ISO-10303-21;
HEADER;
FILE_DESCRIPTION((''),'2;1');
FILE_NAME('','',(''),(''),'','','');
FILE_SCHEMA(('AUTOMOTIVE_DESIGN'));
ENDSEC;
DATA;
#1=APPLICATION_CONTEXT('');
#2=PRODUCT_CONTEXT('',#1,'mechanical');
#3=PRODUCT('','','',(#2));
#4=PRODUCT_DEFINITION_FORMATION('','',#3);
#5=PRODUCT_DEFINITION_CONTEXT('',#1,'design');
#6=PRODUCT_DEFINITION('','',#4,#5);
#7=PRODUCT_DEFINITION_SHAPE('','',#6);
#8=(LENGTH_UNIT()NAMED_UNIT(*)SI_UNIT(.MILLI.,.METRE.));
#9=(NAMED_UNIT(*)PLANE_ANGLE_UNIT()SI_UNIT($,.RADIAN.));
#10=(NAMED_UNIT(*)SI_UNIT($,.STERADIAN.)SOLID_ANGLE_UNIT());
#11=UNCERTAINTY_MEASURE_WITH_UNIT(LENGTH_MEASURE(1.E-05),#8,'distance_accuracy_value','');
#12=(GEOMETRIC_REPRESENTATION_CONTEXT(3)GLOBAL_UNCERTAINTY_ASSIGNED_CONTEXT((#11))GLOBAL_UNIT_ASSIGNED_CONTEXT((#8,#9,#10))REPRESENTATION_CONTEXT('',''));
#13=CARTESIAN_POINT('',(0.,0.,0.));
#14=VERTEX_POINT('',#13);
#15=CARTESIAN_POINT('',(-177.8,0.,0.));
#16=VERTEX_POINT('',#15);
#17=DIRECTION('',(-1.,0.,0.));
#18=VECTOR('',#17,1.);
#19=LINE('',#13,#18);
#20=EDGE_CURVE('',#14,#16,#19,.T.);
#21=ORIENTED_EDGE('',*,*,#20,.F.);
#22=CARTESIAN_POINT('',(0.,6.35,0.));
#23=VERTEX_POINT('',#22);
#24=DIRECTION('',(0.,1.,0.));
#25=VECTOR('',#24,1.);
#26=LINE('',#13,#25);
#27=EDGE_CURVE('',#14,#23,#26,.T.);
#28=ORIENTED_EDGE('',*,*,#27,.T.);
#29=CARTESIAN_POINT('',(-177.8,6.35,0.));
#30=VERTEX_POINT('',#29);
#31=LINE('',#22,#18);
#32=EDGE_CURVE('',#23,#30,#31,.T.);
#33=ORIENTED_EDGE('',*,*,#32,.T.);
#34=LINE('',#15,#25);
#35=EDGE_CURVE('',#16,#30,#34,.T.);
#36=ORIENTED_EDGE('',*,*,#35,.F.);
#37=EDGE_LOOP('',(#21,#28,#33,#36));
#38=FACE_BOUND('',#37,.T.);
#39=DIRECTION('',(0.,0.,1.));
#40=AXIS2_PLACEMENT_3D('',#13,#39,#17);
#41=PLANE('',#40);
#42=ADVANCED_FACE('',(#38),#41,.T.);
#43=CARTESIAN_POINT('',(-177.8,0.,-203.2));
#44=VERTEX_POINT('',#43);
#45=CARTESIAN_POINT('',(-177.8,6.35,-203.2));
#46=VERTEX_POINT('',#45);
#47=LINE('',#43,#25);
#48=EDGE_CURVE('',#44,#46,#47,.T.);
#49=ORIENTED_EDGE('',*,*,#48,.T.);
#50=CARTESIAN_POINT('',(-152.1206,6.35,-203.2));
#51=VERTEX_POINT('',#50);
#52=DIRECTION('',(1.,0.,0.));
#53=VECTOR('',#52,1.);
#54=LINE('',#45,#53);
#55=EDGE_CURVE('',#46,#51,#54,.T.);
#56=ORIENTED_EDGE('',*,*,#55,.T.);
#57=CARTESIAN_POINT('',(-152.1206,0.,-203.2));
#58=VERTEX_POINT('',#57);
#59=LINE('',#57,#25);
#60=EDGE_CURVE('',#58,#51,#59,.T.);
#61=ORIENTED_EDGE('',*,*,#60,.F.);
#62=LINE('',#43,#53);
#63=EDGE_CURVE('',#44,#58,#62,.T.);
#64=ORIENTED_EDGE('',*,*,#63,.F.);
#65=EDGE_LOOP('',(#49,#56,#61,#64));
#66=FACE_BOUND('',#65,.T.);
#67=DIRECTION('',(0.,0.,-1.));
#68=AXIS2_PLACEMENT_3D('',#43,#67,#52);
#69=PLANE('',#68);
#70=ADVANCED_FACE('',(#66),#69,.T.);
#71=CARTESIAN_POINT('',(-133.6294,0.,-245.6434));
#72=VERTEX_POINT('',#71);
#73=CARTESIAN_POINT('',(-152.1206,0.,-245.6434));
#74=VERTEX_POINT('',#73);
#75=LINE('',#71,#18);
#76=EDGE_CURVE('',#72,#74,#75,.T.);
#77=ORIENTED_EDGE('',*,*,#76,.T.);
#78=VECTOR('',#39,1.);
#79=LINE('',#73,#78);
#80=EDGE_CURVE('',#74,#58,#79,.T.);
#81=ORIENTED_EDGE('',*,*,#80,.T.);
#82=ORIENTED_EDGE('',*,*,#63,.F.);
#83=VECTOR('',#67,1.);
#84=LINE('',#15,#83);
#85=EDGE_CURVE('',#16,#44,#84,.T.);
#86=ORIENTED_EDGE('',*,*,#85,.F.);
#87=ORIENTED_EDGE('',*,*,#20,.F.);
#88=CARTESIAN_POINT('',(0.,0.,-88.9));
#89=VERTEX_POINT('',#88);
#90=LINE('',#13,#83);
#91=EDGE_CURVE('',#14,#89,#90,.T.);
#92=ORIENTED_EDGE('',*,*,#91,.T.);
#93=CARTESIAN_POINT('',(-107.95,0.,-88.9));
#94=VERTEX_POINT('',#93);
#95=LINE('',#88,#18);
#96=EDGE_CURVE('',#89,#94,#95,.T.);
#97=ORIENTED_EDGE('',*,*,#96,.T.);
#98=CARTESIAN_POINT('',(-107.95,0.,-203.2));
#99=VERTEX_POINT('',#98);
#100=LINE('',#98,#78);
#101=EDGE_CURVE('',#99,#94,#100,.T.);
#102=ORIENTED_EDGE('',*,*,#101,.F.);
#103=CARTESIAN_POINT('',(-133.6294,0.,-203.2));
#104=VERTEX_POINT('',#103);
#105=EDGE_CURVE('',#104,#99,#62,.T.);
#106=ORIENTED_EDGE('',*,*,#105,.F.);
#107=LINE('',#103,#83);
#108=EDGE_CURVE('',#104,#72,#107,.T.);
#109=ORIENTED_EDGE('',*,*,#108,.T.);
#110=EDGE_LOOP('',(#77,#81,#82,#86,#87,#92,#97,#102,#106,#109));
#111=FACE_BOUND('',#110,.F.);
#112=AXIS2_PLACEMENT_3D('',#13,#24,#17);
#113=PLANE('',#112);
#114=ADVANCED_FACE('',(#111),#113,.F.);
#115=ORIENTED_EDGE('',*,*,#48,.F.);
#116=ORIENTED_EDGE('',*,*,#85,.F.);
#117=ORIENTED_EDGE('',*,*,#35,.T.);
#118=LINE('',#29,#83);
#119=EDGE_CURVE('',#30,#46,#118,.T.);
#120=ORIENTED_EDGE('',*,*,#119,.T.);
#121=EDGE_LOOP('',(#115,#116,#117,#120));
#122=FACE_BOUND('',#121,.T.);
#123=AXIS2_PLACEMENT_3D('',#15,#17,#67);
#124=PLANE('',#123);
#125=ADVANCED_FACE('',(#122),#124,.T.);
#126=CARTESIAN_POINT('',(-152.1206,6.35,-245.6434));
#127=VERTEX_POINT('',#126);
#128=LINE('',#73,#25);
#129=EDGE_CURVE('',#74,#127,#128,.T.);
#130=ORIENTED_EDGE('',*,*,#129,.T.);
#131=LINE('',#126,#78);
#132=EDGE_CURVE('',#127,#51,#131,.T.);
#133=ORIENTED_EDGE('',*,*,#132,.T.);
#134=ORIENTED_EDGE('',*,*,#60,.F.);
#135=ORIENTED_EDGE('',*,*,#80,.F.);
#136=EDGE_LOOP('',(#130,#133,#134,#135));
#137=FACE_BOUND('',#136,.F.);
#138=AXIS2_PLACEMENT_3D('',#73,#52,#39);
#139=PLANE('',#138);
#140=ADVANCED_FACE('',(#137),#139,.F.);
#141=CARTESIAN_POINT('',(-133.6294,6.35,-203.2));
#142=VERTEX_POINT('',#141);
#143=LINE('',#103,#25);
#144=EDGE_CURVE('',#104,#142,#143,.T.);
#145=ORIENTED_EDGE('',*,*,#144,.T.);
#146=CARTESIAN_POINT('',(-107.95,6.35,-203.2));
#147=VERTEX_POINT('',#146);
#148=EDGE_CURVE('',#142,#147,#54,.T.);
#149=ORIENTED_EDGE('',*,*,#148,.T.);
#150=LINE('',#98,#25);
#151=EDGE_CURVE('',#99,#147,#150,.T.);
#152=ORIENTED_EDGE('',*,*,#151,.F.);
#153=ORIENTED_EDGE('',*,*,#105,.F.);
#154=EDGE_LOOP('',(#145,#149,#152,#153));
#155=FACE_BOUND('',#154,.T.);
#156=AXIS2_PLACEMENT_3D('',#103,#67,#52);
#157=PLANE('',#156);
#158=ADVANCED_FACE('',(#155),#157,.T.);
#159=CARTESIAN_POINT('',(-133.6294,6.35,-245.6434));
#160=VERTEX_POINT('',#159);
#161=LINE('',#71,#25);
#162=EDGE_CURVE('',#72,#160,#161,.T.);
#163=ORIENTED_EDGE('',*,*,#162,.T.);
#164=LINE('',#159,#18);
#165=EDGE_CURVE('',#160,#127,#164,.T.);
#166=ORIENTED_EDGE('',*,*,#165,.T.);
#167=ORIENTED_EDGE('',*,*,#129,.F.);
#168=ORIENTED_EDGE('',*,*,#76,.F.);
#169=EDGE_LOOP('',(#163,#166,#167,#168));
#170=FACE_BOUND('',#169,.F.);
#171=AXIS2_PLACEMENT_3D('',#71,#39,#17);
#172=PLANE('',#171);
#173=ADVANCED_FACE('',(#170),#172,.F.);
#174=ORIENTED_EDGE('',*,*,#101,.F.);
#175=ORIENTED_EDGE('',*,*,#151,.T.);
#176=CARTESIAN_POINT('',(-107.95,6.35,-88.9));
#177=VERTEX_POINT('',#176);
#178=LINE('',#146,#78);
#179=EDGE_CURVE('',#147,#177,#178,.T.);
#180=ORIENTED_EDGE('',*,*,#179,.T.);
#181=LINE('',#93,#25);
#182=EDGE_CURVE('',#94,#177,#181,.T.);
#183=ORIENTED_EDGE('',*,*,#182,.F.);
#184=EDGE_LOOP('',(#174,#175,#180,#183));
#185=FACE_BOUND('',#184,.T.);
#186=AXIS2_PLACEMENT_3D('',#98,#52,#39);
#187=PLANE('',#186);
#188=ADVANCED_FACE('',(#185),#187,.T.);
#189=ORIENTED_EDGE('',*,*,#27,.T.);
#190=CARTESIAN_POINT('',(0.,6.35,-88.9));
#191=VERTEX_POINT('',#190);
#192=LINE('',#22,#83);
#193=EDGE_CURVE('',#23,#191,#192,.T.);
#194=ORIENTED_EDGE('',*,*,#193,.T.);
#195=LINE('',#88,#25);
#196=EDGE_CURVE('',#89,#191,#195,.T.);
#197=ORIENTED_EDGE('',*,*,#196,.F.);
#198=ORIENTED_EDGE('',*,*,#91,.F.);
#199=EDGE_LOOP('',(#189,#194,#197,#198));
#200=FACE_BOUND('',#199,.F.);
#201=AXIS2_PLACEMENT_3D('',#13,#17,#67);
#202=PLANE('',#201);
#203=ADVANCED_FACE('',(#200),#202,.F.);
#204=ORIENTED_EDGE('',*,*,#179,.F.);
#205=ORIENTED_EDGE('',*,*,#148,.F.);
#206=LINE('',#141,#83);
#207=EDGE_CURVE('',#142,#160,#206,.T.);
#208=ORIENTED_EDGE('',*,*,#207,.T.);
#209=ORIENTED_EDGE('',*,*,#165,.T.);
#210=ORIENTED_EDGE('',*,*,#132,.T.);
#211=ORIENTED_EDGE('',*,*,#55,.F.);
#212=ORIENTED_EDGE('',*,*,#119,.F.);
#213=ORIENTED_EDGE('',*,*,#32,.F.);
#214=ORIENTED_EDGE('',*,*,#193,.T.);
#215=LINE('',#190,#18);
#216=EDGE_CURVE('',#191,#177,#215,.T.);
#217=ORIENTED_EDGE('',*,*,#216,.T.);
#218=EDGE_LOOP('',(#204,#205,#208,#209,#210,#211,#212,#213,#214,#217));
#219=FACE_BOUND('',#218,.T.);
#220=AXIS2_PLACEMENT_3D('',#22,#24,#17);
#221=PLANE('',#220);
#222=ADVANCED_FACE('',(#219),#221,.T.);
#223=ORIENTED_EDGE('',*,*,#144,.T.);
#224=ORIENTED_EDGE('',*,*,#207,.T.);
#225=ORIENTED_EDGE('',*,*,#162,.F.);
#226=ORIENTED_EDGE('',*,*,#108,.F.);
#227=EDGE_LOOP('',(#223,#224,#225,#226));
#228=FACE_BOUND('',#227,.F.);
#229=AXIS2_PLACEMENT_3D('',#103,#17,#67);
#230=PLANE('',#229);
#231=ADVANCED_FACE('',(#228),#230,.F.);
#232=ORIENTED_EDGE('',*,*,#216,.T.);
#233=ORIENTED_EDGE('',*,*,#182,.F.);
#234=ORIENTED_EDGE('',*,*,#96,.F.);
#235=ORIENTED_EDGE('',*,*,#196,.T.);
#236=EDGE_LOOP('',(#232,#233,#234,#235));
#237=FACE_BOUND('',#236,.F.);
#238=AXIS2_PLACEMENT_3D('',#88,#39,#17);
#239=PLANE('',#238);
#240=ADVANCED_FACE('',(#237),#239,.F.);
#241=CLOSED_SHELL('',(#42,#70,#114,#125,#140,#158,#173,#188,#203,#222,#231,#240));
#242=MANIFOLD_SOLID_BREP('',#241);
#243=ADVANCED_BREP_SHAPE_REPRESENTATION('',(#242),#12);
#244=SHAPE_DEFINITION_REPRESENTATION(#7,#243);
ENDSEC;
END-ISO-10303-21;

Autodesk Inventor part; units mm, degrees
ref_plane "YZ Plane" through (0, 0, 0) normal (1, 0, 0) x (0, 1, 0)
ref_plane "XZ Plane" through (0, 0, 0) normal (0, 1, 0) x (-1, 0, 0)
ref_plane "XY Plane" through (0, 0, 0) normal (0, 0, 1) x (1, 0, 0)
sketch "Sketch1" plane through (0, 0, 0) normal (0, 1, 0) x (-1, 0, 0)
  point P0 (0, 0)
sketch "Sketch2" plane through (0, 0, 0) normal (0, 1, 0) x (-1, 0, 0)
  line L0 (0, 0) -> (177.8, 0)
  line L1 (177.8, 0) -> (177.8, -203.2)
  line L2 (0, 0) -> (0, -88.9)
  line L3 (177.8, -203.2) -> (107.95, -203.2)
  line L4 (107.95, -203.2) -> (107.95, -88.9)
  line L5 (0, -88.9) -> (107.95, -88.9)
  line L6 (152.1206, -203.2) -> (133.6294, -203.2)
  line L7 (133.6294, -203.2) -> (133.6294, -245.6434)
  line L8 (133.6294, -245.6434) -> (152.1206, -245.6434)
  line L9 (152.1206, -245.6434) -> (152.1206, -203.2)
  dimension "d0" = 203.2
  dimension "d1" = 177.8
  dimension "d2" = 88.9
  dimension "d3" = 69.85
  dimension "d7" = 18.4912
  dimension "d8" = 42.4434
  dimension "d9" = 25.6794
extrude "Extrusion1" add sketch "Sketch2" along normal blind 6.35
properties part number "RSX bottom" material "Aluminum 6061"
